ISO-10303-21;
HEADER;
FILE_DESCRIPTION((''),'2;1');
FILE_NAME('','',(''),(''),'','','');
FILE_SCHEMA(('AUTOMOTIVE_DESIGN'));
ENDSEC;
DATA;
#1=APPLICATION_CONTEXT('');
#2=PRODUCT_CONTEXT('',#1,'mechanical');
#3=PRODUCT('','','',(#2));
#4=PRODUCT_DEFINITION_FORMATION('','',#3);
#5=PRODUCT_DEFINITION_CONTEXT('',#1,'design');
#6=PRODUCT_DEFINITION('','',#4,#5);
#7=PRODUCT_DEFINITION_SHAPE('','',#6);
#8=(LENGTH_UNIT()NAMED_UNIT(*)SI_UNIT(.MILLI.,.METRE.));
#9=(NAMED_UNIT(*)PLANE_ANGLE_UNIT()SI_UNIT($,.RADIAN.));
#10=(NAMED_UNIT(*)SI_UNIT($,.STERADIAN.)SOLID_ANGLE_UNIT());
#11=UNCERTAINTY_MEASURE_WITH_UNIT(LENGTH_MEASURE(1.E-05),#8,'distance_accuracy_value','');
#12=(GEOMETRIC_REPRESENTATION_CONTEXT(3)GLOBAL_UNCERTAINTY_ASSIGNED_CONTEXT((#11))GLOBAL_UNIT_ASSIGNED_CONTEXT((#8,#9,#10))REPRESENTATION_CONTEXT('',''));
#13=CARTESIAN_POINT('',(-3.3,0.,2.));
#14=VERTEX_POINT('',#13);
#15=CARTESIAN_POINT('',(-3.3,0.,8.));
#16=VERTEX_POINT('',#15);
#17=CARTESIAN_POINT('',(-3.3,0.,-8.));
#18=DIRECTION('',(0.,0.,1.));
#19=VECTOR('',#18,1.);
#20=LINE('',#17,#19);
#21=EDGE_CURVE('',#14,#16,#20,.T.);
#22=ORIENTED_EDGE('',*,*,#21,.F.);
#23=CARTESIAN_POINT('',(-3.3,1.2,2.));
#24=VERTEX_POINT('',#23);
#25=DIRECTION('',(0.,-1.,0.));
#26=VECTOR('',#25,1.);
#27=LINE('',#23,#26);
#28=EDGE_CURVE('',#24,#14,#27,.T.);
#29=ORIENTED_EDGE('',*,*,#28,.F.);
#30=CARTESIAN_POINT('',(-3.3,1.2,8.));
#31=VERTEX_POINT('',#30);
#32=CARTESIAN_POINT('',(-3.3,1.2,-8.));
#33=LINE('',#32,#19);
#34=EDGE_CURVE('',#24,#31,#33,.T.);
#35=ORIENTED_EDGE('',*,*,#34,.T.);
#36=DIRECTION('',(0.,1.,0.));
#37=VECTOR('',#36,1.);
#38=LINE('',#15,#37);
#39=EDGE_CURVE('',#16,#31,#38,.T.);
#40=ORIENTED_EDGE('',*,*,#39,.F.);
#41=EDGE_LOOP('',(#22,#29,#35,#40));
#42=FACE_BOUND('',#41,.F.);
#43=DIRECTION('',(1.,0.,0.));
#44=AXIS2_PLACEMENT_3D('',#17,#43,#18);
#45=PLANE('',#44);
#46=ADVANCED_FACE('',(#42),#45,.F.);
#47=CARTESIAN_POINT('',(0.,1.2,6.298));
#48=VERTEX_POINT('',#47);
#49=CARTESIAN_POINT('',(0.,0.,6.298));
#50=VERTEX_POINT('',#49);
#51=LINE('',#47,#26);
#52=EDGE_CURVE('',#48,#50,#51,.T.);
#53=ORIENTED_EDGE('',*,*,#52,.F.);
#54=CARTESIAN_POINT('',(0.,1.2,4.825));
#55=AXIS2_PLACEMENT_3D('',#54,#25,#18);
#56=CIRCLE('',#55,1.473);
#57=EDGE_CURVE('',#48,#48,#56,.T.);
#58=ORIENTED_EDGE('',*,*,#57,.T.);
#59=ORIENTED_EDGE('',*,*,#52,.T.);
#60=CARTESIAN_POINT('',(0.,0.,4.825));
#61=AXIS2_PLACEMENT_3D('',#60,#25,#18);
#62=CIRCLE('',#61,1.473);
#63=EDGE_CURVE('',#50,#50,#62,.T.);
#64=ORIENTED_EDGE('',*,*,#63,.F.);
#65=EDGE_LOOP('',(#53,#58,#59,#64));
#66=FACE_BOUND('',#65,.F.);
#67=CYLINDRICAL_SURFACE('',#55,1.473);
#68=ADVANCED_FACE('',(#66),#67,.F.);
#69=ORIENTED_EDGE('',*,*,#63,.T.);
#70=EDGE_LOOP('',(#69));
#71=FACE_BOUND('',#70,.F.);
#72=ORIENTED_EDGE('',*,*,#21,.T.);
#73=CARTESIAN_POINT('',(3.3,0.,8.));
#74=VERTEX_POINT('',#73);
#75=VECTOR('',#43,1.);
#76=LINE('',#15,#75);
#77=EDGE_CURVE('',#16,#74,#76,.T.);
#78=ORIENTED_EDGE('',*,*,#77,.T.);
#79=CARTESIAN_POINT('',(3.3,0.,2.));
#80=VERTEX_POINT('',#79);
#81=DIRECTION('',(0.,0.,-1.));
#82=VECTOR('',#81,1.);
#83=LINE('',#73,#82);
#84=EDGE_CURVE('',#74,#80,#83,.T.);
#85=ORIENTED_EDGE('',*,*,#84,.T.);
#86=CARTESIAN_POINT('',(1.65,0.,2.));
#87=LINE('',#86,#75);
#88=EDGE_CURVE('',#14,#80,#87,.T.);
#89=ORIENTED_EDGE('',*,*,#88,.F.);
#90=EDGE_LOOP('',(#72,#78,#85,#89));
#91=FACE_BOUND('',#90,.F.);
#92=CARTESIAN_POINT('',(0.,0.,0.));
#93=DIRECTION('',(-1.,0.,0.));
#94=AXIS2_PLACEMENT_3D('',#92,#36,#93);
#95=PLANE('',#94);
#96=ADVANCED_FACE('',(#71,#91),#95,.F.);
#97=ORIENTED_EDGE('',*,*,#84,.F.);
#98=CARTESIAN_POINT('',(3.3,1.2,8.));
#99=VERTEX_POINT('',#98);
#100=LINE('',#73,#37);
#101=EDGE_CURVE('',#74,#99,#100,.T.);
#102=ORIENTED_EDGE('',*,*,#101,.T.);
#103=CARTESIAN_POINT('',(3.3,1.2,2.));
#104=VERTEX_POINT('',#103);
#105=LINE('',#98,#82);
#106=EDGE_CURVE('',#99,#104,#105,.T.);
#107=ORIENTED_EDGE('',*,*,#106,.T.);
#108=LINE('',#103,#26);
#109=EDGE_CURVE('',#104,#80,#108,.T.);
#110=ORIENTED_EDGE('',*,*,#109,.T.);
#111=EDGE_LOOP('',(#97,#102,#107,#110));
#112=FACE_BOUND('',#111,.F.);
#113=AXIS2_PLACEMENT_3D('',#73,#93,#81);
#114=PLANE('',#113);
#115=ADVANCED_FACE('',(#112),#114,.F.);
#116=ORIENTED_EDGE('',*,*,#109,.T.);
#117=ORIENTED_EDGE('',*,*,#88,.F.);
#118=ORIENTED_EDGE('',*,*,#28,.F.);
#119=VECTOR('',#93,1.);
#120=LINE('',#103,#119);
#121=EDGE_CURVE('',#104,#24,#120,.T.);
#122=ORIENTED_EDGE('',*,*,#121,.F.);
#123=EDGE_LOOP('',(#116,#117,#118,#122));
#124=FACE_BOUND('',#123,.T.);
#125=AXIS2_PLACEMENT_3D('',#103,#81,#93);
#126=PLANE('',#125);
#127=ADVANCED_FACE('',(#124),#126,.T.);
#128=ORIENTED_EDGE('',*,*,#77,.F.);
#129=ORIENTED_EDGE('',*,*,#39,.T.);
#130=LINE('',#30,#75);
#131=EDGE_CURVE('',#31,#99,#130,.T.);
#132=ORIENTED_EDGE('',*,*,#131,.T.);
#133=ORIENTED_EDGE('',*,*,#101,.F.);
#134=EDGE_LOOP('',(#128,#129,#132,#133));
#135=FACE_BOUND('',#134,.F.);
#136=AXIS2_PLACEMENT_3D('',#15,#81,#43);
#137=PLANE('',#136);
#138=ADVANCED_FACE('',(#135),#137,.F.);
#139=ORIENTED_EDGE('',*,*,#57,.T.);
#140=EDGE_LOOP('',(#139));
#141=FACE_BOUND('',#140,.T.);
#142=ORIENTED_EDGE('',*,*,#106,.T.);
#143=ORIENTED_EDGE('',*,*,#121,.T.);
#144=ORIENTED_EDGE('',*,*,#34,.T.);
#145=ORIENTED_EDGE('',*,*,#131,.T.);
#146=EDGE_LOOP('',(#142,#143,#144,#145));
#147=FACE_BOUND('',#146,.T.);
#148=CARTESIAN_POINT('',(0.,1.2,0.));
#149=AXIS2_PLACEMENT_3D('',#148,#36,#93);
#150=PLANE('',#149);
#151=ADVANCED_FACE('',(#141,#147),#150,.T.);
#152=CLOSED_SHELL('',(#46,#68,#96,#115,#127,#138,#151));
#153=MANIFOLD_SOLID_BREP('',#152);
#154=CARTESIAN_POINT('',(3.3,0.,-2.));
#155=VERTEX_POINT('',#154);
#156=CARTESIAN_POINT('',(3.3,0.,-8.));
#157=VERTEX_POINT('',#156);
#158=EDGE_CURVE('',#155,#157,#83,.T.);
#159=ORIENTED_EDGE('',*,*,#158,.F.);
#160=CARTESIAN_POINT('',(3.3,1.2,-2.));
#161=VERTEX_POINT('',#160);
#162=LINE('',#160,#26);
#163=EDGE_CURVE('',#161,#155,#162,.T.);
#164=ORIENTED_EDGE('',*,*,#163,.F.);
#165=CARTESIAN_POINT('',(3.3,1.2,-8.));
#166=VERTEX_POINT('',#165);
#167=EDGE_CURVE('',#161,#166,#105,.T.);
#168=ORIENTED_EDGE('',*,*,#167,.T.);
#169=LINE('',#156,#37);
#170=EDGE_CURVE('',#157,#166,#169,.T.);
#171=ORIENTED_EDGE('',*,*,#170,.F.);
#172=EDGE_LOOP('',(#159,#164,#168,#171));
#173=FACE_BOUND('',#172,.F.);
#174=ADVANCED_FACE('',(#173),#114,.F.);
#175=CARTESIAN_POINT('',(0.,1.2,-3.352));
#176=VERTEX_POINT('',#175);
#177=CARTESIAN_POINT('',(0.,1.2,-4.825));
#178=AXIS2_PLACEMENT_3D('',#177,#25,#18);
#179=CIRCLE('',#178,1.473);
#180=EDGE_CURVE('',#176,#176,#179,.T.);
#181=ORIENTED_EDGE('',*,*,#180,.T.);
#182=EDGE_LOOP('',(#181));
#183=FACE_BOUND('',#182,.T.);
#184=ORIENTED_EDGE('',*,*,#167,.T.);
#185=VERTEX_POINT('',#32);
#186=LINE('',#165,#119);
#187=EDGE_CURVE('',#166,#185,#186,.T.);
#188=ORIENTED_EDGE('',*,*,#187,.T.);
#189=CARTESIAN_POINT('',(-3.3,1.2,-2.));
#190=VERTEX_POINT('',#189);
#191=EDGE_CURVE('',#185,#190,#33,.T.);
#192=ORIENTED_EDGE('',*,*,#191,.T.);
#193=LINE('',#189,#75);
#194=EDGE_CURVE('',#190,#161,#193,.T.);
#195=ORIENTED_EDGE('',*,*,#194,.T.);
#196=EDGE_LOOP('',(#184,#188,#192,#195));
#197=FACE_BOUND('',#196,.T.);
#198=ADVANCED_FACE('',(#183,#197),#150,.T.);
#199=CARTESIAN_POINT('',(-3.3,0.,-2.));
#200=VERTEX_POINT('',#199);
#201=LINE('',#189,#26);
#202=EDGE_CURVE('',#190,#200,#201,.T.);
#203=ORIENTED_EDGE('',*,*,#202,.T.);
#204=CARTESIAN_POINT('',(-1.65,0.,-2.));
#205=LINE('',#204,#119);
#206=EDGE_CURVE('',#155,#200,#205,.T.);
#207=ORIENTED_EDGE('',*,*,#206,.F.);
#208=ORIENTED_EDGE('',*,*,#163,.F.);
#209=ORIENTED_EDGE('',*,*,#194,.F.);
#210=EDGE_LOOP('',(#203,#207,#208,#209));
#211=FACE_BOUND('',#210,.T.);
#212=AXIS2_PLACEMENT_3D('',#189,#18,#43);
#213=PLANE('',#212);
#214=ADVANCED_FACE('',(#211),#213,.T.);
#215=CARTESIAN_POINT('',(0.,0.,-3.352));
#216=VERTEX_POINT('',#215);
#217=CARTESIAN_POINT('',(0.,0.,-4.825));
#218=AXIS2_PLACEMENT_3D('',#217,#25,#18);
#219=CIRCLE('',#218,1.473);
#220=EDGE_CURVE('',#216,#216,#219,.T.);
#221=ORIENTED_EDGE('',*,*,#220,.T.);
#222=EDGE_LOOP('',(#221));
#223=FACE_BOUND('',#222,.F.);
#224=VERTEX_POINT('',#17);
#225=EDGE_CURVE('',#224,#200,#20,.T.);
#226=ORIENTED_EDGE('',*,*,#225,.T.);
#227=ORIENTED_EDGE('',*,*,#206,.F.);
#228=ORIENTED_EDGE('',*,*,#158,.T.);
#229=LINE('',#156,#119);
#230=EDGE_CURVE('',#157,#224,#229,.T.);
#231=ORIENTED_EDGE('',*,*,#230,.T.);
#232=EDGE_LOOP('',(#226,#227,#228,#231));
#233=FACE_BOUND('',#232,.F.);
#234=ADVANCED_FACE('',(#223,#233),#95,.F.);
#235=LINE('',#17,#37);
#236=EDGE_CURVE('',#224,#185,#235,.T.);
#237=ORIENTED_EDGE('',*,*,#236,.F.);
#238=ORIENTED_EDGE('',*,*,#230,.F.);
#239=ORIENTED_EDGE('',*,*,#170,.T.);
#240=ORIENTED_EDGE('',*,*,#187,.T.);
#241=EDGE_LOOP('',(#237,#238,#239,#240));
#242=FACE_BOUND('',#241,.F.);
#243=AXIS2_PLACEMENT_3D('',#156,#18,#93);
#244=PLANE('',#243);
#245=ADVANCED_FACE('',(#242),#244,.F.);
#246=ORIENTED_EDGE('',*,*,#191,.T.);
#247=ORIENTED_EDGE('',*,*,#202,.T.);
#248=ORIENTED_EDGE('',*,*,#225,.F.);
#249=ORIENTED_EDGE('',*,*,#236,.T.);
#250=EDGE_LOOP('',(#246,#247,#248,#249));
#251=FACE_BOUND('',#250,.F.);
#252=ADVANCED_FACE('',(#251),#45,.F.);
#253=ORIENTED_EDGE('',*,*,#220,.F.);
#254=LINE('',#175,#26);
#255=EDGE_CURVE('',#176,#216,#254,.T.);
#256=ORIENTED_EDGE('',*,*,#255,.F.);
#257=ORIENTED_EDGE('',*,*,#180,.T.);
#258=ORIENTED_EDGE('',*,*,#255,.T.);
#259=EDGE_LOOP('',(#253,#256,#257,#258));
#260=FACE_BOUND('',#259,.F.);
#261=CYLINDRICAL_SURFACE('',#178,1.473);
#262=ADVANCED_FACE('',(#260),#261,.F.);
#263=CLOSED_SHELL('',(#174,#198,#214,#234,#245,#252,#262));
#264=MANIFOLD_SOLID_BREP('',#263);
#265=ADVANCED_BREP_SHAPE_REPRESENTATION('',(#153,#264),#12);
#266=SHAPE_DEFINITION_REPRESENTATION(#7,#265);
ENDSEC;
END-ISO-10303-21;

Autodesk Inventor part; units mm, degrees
ref_plane "YZ Plane" through (0, 0, 0) normal (1, 0, 0) x (0, 1, 0)
ref_plane "XZ Plane" through (0, 0, 0) normal (0, 1, 0) x (-1, 0, 0)
ref_plane "XY Plane" through (0, 0, 0) normal (0, 0, 1) x (1, 0, 0)
sketch "Sketch2" plane through (0, 0, 0) normal (0, 1, 0) x (-1, 0, 0)
  line L0 (3.3, 8) -> (-3.3, 8)
  line L1 (-3.3, 8) -> (-3.3, -8)
  line L2 (-3.3, -8) -> (3.3, -8)
  line L3 (3.3, -8) -> (3.3, 8)
  line L4 (3.3, 8) -> (-3.3, -8) construction
  line L5 (-3.3, 8) -> (3.3, -8) construction
  point P0 (0, 0)
  dimension "d0" = 6.6
  dimension "d1" = 16
extrude "Extrusion1" add sketch "Sketch2" along normal blind 1.2
sketch "Sketch3" plane through (0, 1.2, 0) normal (0, 1, 0) x (1, 0, 0)
  line L0 (-3.3, -8) -> (3.3, -8) projected
  line L1 (3.3, 8) -> (-3.3, 8) projected
  point P0 (0, 0)
  point P1 (0, 4.825)
  point P2 (0, -4.825)
hole "Hole1" at (0, 1.2, -4.825) at (0, 1.2, 4.825) direction (0, -1, 0) diameter 2.946 end through all clearance for "Flat Head Machine Screw (82)" size "#4" standard "Ansi Unified Screw Threads"
sketch "Sketch4" plane through (0, 1.2, 0) normal (0, 1, 0) x (1, 0, 0)
  line L0 (-3.3, 2) -> (3.3, 2)
  line L1 (3.3, 2) -> (3.3, -2)
  line L2 (3.3, -2) -> (-3.3, -2)
  line L3 (-3.3, -2) -> (-3.3, 2)
  line L4 (-3.3, 2) -> (3.3, -2) construction
  line L5 (3.3, 2) -> (-3.3, -2) construction
  point P0 (0, 0)
  dimension "d13" = 6.6
  dimension "d14" = 4
extrude "Extrusion2" cut sketch "Sketch4" against normal up to next
properties part number "shapal_ledgereod"
